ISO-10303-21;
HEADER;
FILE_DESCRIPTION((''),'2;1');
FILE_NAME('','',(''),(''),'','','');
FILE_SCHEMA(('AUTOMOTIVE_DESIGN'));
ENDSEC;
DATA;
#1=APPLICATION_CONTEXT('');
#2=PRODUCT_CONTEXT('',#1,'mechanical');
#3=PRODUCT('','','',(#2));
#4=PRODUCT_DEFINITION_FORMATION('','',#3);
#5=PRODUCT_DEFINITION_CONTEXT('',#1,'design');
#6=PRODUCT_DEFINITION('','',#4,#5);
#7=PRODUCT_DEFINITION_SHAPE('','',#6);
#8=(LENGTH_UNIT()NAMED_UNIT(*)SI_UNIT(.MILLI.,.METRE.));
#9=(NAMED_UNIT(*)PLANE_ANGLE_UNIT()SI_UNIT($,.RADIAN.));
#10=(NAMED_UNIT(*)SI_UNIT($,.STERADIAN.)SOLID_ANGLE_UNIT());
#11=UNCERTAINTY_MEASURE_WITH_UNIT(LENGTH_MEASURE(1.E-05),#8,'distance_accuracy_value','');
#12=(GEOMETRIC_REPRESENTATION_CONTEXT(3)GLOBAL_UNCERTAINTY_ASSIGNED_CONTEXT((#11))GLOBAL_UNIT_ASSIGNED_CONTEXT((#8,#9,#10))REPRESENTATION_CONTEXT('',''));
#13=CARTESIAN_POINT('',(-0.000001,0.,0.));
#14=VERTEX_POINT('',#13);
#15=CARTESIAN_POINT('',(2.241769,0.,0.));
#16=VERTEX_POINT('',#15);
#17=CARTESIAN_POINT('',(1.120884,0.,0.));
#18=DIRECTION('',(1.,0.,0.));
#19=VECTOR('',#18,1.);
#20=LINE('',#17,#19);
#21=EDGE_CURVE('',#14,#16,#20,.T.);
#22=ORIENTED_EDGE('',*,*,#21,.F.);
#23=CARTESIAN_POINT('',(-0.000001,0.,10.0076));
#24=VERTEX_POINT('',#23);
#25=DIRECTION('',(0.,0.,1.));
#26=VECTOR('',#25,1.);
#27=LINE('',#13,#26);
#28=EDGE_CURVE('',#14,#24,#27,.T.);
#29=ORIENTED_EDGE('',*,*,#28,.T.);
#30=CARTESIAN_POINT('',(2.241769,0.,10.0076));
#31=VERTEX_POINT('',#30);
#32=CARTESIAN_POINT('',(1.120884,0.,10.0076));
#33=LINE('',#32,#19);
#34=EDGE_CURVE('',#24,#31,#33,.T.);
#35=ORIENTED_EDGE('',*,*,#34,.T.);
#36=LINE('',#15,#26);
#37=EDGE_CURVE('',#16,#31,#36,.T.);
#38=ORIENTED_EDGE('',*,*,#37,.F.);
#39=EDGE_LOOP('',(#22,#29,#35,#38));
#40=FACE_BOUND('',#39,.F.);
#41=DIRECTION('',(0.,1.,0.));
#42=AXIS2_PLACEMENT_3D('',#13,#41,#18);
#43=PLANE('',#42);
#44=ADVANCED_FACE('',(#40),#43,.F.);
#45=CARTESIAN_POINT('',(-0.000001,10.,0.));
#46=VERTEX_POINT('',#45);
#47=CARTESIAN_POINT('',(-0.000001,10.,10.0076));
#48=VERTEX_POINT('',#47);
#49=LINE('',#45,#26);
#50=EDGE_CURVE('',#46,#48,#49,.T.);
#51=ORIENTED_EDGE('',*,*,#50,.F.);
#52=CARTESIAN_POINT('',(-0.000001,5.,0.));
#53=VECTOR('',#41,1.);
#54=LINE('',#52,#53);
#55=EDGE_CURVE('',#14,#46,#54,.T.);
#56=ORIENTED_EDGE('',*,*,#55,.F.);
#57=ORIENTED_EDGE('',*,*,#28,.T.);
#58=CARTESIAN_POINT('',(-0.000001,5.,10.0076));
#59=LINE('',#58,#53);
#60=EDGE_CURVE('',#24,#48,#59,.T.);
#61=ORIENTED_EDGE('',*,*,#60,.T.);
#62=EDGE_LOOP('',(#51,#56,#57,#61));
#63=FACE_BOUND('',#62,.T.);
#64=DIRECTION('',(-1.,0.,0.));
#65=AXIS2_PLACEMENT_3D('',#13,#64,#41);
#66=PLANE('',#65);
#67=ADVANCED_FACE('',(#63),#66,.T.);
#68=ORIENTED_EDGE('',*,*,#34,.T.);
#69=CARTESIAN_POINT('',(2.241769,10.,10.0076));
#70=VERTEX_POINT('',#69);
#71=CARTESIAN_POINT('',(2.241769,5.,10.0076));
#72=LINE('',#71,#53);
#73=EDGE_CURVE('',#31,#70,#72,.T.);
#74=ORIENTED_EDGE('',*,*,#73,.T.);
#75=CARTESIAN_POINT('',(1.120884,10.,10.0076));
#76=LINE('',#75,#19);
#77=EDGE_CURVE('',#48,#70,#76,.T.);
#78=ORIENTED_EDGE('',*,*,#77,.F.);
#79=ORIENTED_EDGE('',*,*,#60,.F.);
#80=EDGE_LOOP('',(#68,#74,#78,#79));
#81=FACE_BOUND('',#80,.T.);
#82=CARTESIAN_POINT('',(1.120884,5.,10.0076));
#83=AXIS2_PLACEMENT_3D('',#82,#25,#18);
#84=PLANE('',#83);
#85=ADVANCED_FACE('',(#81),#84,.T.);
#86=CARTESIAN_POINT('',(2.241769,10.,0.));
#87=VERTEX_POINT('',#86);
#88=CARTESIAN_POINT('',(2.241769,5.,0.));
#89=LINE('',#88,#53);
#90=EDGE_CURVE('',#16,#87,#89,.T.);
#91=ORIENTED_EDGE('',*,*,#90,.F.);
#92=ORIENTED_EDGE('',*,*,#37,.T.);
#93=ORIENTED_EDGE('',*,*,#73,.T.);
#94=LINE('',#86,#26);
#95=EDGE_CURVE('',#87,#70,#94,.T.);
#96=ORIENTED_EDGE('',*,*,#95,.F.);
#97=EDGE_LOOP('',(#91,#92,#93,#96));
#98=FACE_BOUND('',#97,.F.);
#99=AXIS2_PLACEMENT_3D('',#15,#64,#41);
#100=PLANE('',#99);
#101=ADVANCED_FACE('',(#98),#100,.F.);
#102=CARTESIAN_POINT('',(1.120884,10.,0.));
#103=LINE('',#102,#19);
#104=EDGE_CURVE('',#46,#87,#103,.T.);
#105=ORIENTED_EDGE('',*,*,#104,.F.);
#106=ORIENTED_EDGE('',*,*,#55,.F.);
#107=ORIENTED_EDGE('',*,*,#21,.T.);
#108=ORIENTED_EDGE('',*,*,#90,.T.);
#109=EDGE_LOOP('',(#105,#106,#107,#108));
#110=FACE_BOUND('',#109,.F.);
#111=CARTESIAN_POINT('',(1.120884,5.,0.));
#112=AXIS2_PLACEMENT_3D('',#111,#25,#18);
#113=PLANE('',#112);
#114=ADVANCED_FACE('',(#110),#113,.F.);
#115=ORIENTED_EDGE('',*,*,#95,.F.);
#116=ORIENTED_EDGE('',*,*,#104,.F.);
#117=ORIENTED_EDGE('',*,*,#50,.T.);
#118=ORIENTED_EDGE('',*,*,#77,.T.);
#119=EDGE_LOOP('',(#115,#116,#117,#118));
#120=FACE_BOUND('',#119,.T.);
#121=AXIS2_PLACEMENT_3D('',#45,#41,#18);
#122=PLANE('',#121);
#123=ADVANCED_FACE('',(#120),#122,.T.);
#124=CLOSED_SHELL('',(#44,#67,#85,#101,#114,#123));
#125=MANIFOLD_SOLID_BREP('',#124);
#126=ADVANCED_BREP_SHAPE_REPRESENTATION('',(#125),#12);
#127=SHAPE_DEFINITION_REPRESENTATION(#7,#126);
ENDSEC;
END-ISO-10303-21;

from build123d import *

# Parameters (mm, degrees)
SKETCH003_W = 2.241769
SKETCH003_H = 10
PAD_DEPTH   = 10.0076


with BuildPart() as part:
    # Sketch003 → Pad (new body)
    with BuildSketch(Plane.XY):
        with Locations((1.120884, 5)):
            Rectangle(SKETCH003_W, SKETCH003_H)
    extrude(amount=PAD_DEPTH)


solid = part.part
